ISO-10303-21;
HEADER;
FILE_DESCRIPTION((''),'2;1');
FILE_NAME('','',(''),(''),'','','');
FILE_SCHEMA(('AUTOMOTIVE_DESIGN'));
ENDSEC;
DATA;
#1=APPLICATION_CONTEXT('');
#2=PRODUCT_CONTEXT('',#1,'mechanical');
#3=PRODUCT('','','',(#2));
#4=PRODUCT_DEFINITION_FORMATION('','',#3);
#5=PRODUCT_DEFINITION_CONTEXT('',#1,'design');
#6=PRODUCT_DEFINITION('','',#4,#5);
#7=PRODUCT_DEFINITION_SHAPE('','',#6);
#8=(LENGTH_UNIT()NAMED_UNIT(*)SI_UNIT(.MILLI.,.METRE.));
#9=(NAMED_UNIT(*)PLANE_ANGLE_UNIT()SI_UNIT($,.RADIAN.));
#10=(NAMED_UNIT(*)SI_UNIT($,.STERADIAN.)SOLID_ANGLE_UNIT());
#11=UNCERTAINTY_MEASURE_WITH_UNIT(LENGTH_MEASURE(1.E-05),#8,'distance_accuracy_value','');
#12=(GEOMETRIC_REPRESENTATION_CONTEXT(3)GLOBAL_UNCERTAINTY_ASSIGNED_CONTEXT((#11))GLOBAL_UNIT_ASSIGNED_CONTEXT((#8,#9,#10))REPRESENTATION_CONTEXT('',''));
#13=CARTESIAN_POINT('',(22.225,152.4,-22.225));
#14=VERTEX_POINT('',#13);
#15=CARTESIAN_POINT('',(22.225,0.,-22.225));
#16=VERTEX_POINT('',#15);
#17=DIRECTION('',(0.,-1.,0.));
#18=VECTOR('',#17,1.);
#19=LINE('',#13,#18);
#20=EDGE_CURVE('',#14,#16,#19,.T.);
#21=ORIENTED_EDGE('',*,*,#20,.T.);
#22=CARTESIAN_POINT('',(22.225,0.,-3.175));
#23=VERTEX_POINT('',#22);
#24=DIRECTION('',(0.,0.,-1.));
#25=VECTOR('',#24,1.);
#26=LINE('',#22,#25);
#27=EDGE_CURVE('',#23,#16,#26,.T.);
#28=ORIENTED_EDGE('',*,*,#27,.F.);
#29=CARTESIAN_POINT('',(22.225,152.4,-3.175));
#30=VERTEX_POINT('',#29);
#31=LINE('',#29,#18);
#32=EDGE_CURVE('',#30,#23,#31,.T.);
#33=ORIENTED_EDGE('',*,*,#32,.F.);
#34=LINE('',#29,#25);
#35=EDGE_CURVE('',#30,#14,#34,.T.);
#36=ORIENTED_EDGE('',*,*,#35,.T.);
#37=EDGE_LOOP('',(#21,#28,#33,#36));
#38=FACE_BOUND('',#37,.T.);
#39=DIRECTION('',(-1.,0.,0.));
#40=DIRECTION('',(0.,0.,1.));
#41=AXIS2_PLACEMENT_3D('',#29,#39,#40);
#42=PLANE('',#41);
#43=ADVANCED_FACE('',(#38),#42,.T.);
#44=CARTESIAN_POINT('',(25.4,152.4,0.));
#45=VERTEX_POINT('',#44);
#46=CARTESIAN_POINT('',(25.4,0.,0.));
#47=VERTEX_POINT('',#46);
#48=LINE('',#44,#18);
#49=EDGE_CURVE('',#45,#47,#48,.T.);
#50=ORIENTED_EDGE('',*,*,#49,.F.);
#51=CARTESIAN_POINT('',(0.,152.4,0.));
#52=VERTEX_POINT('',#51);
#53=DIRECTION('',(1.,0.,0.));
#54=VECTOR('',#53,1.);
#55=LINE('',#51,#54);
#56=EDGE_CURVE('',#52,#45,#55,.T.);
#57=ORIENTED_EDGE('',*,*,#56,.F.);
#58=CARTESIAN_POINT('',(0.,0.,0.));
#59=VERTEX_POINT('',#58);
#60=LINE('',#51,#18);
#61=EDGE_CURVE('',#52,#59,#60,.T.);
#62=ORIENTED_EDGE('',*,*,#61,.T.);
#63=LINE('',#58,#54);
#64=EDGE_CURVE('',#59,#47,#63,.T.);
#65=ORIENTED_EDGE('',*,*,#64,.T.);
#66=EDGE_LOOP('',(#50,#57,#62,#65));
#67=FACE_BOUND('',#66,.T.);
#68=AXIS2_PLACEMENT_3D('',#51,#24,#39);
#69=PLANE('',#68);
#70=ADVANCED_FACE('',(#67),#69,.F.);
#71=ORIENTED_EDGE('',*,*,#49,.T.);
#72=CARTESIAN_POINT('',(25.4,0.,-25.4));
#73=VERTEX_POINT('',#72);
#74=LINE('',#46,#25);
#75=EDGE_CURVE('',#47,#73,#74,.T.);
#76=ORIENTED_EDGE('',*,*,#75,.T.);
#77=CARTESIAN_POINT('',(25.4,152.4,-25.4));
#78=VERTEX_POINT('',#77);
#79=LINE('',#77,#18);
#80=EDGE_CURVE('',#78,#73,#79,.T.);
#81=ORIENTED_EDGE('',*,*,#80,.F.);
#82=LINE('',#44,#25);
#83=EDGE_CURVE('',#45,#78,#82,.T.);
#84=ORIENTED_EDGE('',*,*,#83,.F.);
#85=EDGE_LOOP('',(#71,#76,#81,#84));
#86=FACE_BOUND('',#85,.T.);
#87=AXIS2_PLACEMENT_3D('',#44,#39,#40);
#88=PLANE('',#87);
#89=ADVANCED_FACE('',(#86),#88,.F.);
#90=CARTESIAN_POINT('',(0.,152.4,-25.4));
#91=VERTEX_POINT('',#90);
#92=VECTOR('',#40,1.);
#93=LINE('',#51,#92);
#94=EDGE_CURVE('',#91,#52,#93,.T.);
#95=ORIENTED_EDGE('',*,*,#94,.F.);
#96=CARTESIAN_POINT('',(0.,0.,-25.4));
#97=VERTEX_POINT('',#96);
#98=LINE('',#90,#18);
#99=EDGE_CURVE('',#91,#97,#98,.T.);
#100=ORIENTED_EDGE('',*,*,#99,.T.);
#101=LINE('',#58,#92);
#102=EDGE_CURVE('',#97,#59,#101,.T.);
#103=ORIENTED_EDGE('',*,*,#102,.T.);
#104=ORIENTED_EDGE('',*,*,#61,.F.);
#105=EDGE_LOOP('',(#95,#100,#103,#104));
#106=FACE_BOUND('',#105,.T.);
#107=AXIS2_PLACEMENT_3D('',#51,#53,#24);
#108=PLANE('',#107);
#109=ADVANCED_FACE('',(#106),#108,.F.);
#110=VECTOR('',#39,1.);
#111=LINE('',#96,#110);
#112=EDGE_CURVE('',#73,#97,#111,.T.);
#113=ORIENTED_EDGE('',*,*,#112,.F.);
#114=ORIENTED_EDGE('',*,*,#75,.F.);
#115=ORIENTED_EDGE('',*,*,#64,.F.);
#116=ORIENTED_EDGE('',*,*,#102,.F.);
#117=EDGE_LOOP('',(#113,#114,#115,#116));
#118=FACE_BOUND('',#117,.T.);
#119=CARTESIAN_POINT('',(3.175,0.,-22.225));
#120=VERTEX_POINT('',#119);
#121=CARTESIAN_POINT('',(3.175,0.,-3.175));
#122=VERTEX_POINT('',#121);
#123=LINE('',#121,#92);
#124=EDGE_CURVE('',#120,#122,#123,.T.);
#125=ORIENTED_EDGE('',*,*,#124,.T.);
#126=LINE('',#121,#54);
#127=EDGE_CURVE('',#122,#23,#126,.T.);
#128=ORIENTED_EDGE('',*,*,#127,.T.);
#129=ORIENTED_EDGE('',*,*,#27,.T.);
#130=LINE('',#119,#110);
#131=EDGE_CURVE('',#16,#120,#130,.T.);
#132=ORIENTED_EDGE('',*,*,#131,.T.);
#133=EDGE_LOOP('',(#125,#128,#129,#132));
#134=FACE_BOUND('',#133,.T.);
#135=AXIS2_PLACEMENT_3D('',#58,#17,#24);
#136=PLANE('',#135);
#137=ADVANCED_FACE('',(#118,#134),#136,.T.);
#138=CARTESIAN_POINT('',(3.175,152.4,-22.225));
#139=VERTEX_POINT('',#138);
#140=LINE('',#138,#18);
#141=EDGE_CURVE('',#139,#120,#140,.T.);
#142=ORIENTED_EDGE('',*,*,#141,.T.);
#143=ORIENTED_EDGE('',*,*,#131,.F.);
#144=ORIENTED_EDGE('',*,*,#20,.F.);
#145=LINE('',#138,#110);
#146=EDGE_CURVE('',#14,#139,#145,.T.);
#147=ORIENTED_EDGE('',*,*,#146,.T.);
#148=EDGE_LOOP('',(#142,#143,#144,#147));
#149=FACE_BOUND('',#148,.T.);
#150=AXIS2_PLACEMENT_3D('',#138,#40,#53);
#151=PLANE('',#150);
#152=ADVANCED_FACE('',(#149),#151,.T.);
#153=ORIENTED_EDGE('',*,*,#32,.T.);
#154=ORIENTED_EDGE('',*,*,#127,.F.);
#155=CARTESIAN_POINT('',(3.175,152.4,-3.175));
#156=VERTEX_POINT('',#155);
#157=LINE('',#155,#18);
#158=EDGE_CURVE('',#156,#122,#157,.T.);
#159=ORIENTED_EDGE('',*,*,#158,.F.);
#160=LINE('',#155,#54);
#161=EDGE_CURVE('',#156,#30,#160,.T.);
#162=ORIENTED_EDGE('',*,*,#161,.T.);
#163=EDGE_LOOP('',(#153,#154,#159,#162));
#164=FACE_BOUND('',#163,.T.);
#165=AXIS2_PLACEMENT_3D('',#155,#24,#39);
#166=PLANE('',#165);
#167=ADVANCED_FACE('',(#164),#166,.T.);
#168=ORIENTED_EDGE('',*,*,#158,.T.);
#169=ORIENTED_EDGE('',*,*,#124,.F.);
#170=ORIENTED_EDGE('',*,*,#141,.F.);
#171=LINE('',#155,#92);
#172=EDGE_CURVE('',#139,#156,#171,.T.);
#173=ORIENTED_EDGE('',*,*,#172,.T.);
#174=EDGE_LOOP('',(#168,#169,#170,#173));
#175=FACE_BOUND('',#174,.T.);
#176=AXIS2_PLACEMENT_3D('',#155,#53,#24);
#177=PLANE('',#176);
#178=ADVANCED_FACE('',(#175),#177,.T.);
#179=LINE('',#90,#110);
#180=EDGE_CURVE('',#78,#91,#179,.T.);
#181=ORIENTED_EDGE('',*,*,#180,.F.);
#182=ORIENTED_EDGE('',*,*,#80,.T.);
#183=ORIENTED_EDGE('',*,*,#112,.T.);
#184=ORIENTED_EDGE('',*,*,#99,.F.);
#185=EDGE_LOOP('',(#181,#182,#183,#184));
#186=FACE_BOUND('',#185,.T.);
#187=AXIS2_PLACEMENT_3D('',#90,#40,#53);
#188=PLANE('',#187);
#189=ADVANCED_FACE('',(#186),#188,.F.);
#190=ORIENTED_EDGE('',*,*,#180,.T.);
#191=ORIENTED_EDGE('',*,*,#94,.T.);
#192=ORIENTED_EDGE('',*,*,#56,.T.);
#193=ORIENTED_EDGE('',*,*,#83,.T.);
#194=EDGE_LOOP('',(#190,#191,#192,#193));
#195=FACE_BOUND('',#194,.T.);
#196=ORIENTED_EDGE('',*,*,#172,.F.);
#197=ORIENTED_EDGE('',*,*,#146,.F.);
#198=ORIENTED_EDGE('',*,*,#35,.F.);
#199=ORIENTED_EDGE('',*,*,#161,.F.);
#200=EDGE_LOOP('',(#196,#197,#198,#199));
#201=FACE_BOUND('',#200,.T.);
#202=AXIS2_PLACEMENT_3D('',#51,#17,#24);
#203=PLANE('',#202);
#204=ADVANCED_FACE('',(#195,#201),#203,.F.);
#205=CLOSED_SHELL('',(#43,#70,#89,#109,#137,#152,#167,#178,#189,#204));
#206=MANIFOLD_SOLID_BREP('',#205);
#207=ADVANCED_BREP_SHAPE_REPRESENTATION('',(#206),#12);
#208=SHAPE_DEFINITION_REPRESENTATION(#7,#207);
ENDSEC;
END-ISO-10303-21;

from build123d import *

# Parameters (mm, degrees)
SKETCH1_W           = 25.4
SKETCH1_H           = 25.4
SKETCH1_W_2         = 19.05
SKETCH1_H_2         = 19.05
BOSS_EXTRUDE1_DEPTH = 152.4


with BuildPart() as part:
    # Sketch1 → Boss-Extrude1 (new body)
    with BuildSketch(Plane(origin=(0, 0, 0), x_dir=(1, 0, 0), z_dir=(0, 1, 0))):
        with Locations((12.7, 12.7)):
            Rectangle(SKETCH1_W, SKETCH1_H)
        with Locations((12.7, 12.7)):
            Rectangle(SKETCH1_W_2, SKETCH1_H_2, mode=Mode.SUBTRACT)
    extrude(amount=BOSS_EXTRUDE1_DEPTH)


solid = part.part
